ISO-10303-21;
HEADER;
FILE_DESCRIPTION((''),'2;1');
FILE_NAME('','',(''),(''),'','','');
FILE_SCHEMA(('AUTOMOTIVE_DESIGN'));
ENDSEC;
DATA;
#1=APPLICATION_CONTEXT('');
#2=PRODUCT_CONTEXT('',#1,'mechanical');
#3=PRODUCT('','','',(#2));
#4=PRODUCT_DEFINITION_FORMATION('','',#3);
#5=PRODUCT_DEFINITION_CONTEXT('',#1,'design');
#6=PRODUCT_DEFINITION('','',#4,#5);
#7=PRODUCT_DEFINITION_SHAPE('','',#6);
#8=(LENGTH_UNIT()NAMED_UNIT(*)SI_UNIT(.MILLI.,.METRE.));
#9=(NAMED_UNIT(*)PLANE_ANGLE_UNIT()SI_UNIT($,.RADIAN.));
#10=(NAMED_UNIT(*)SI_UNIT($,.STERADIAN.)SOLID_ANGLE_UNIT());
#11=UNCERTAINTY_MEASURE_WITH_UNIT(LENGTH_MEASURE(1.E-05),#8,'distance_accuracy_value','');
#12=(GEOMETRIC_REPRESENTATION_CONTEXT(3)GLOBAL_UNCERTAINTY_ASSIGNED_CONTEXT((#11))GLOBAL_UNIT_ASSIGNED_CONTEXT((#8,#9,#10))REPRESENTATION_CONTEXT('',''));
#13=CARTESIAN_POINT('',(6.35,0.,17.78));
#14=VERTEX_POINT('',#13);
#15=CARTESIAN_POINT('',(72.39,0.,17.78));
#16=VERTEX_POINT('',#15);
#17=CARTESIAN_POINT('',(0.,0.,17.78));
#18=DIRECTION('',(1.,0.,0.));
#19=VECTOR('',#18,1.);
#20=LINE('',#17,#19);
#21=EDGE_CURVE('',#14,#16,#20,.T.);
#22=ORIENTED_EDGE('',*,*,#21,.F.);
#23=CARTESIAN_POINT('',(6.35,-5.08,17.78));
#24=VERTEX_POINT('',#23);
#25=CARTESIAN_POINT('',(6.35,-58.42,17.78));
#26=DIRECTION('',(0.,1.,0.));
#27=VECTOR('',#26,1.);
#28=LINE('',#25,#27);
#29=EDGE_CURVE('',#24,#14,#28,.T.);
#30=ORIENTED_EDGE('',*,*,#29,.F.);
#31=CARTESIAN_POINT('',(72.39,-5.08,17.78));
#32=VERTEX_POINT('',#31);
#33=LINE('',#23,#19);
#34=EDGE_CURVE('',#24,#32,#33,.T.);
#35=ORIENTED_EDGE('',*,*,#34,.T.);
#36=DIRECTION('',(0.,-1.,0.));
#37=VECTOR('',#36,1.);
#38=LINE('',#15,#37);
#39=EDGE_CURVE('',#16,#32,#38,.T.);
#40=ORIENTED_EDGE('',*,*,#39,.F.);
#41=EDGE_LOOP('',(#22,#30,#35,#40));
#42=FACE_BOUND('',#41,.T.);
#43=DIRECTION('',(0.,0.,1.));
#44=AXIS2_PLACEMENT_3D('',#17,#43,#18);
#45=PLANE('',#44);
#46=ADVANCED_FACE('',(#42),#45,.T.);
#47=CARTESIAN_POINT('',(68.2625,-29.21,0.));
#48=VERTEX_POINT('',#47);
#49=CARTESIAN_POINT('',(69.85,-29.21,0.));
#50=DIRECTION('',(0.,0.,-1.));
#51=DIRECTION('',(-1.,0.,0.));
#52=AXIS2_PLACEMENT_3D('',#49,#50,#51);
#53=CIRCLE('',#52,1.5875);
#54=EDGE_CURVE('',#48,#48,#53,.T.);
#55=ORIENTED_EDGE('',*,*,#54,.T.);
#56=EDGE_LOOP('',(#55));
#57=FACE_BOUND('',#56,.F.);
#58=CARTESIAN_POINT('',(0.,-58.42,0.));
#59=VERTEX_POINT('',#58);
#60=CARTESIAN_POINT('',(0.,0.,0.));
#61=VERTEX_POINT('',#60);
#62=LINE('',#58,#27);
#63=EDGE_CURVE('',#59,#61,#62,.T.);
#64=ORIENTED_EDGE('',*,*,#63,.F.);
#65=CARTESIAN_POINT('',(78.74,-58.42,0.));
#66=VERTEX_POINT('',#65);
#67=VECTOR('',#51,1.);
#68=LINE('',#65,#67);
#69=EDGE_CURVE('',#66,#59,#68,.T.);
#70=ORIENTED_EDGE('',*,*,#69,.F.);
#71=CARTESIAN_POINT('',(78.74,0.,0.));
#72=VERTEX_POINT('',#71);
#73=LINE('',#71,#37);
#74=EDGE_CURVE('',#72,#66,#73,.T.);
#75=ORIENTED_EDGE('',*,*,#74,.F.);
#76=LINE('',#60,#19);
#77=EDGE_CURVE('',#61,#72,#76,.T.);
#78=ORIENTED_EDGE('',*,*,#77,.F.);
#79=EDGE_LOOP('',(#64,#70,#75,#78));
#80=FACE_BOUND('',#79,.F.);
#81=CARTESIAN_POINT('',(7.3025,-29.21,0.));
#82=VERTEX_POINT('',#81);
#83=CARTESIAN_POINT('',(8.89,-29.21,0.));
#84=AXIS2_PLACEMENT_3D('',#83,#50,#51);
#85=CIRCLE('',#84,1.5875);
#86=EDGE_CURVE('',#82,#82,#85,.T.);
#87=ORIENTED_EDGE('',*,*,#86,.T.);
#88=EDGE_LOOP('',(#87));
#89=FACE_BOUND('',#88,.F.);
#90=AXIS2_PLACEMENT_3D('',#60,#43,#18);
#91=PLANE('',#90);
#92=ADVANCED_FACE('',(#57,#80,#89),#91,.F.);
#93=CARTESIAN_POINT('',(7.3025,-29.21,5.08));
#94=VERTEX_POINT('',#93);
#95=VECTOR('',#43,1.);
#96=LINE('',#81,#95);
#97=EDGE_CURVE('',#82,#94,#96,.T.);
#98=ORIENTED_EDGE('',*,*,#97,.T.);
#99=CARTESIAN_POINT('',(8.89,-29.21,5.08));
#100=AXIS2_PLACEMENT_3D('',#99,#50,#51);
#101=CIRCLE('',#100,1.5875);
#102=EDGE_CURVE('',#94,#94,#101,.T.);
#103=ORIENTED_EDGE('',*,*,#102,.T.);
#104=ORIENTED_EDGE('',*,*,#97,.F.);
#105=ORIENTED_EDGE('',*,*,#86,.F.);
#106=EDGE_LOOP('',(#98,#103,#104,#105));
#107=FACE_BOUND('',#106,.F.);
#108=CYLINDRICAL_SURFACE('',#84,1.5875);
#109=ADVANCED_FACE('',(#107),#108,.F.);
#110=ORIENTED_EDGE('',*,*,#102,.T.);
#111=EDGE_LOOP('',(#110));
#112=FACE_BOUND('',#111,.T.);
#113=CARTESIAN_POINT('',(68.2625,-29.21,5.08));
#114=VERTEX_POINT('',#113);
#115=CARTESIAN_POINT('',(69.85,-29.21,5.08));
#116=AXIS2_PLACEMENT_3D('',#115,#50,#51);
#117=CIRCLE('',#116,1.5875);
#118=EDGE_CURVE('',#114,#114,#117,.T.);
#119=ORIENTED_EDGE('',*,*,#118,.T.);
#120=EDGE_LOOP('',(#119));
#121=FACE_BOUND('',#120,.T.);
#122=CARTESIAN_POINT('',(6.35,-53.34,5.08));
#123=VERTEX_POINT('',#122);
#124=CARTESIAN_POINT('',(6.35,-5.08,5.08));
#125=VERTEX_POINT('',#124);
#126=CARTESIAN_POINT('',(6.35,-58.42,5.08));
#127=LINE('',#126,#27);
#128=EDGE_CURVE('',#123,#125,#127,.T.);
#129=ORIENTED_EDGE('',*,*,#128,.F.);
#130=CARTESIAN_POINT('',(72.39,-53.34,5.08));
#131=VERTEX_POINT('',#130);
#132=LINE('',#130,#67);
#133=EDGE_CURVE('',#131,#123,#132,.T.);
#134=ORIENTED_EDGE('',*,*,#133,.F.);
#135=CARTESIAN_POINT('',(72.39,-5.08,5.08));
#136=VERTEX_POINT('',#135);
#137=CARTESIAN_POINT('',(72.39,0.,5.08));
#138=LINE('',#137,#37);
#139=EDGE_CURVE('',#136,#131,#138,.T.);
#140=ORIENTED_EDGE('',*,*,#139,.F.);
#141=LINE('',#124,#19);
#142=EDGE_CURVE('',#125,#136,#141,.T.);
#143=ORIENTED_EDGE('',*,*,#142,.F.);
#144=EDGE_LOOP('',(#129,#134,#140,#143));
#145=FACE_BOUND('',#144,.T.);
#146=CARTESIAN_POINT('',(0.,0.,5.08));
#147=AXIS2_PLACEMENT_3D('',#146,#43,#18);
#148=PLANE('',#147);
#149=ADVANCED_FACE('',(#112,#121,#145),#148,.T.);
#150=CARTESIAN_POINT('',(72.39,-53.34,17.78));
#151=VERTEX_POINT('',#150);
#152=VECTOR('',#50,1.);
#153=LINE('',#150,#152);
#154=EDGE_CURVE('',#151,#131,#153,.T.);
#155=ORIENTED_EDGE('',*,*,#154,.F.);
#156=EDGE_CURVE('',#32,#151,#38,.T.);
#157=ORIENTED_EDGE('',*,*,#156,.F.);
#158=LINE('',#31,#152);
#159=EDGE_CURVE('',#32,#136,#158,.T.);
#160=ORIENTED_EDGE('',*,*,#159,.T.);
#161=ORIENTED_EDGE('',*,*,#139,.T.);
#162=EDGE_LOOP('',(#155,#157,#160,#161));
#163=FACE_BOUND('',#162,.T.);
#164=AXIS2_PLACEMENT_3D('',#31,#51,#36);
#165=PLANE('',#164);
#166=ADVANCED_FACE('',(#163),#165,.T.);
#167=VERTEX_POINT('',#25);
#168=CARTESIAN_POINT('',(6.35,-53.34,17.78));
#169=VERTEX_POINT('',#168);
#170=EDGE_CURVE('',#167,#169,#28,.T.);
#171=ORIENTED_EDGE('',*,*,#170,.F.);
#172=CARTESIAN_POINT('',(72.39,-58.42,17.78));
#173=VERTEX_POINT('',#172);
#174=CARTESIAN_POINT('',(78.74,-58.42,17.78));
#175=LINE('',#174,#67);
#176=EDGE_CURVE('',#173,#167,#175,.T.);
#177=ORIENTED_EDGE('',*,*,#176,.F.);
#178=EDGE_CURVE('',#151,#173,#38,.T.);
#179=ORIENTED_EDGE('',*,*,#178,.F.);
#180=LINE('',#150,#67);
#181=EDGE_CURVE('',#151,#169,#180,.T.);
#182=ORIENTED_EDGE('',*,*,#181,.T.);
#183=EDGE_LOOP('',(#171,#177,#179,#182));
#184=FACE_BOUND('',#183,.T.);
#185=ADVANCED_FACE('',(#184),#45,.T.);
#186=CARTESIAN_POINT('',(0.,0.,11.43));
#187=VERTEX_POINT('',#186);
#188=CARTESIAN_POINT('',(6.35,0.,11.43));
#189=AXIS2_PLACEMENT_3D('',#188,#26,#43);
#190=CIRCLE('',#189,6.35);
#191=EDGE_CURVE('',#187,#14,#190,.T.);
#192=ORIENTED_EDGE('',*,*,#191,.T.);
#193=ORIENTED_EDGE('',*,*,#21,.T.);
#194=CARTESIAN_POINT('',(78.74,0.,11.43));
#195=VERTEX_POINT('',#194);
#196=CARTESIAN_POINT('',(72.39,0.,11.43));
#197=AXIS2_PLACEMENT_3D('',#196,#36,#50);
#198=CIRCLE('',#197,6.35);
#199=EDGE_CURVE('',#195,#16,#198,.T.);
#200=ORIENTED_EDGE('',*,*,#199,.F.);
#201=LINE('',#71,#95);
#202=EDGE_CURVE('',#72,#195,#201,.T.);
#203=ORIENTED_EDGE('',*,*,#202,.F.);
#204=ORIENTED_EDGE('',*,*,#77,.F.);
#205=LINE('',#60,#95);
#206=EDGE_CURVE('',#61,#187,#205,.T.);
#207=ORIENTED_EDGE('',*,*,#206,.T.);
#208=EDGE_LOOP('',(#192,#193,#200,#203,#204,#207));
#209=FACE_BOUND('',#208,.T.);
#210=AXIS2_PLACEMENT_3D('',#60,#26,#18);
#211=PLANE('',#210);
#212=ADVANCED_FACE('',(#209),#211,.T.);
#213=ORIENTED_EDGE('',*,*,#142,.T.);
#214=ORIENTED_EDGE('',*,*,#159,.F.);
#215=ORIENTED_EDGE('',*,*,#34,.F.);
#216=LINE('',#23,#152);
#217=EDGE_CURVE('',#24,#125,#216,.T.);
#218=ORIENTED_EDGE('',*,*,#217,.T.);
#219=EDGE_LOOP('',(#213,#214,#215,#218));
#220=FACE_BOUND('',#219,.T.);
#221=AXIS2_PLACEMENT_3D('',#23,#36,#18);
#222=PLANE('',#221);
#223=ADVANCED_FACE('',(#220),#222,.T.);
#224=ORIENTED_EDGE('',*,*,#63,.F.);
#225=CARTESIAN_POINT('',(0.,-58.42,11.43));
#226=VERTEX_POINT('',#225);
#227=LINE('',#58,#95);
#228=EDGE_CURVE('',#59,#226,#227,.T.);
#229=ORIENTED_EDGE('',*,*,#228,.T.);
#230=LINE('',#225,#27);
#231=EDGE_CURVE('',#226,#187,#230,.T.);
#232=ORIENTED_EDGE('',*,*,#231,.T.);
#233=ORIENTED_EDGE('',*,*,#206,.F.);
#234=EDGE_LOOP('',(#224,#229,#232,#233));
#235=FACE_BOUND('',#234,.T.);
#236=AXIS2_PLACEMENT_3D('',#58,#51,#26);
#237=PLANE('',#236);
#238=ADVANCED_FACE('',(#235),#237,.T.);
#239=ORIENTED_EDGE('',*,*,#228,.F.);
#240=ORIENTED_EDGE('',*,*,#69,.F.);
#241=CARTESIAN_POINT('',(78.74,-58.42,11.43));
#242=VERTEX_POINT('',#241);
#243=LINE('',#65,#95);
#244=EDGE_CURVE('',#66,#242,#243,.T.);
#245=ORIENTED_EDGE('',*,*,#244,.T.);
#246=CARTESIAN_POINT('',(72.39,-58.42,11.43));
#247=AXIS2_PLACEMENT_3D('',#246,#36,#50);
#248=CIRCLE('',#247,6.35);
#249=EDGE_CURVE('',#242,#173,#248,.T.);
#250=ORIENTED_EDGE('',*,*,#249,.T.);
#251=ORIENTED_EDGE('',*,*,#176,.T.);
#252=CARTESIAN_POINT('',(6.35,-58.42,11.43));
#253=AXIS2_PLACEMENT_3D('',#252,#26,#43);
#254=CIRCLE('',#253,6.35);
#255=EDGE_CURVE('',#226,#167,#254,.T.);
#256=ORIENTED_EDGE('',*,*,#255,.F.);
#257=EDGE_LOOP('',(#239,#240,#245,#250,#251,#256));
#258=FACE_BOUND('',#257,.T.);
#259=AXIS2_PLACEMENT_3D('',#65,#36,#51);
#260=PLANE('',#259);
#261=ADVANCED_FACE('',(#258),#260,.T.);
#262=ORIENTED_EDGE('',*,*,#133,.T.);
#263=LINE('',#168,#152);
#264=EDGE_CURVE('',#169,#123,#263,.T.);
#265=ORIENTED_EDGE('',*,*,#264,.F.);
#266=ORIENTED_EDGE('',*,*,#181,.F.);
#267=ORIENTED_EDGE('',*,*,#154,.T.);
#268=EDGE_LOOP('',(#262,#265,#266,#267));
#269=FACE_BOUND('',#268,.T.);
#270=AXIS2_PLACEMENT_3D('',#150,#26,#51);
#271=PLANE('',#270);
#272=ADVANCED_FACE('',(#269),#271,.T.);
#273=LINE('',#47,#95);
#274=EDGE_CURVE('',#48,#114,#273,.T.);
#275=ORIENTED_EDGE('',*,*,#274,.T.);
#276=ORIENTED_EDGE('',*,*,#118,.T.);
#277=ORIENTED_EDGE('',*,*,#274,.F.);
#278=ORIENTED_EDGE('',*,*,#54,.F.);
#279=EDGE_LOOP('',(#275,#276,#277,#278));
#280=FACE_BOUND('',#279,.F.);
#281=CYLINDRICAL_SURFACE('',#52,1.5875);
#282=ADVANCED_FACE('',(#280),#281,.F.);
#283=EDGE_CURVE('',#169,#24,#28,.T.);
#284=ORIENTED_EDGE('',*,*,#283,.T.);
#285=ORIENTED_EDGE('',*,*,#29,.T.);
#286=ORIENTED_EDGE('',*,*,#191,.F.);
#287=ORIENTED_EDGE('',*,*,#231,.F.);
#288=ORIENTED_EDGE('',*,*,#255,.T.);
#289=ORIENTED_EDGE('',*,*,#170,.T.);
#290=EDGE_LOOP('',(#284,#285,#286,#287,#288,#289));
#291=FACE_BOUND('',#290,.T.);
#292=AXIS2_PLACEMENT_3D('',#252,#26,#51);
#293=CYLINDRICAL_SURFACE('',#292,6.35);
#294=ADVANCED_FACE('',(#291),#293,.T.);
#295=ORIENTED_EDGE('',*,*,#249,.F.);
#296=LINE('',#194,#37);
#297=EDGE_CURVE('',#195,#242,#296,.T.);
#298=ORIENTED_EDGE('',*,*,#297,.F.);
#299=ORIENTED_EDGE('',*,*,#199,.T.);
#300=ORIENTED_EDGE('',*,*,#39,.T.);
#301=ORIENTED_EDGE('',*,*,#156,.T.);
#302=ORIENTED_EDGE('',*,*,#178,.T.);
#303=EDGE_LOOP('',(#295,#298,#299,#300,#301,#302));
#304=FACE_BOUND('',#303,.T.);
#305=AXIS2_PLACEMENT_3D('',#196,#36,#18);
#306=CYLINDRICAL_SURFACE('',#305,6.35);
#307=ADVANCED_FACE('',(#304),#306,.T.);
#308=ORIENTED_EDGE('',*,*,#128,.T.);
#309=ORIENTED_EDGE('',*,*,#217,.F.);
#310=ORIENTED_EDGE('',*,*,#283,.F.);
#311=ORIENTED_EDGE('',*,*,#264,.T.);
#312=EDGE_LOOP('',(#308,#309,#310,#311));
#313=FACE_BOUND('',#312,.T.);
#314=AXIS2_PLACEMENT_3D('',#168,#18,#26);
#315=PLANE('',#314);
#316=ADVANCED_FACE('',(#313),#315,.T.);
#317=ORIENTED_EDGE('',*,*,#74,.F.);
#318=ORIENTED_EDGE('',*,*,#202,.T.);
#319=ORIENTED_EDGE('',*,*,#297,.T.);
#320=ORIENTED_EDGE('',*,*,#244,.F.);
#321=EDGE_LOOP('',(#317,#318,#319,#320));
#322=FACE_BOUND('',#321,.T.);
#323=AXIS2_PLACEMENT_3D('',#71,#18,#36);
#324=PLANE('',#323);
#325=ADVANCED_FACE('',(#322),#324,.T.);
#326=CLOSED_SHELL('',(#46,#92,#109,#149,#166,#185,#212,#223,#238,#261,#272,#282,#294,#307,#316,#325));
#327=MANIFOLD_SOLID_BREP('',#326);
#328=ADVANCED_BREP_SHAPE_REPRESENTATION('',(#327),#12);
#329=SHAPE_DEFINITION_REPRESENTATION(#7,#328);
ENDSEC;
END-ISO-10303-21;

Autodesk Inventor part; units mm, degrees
ref_plane "YZ Plane" through (0, 0, 0) normal (1, 0, 0) x (0, 1, 0)
ref_plane "XZ Plane" through (0, 0, 0) normal (0, 1, 0) x (-1, 0, 0)
ref_plane "XY Plane" through (0, 0, 0) normal (0, 0, 1) x (1, 0, 0)
sketch "Sketch1" plane through (0, 0, 0) normal (0, 0, 1) x (1, 0, 0)
  line L0 (0, 0) -> (78.74, 0)
  line L1 (78.74, 0) -> (78.74, -58.42)
  line L2 (78.74, -58.42) -> (0, -58.42)
  line L3 (0, -58.42) -> (0, 0)
  dimension "d0" = 78.74
  dimension "d1" = 58.42
extrude "Extrusion1" add sketch "Sketch1" along normal blind 17.78
fillet "Fillet1" radius 6.35 2 edges at (78.74, -29.21, 17.78) (0, -29.21, 17.78)
sketch "Sketch2" plane through (0, 0, 0) normal (0, 0, -1) x (-1, 0, 0)
  circle A0 centre (-69.85, -29.21) radius 1.5875
  line L0 (-78.74, 0) -> (-78.74, -58.42) projected
  line L1 (0, 0) -> (-78.74, 0) projected
  circle A1 centre (-8.89, -29.21) radius 1.5875
  line L2 (0, -58.42) -> (0, 0) projected
  dimension "d5" = 3.175
  dimension "d6" = 8.89
  dimension "d7" = 29.21
  dimension "d8" = 3.175
  dimension "d9" = 8.89
extrude "Extrusion2" cut sketch "Sketch2" against normal blind 25.4
sketch "Sketch3" plane through (0, 0, 17.78) normal (0, 0, 1) x (1, 0, 0)
  line L0 (6.35, -58.42) -> (6.35, 0) projected
  line L1 (72.39, 0) -> (72.39, -58.42) projected
  line L2 (6.35, -5.08) -> (72.39, -5.08)
  line L3 (72.39, -5.08) -> (72.39, -53.34)
  line L4 (72.39, -53.34) -> (6.35, -53.34)
  line L5 (6.35, -53.34) -> (6.35, -5.08)
  line L6 (72.39, 0) -> (6.35, 0) projected
  line L7 (6.35, -58.42) -> (72.39, -58.42) projected
  point P0 (0, 0)
  dimension "d12" = 5.08
  dimension "d13" = 5.08
extrude "Extrusion3" cut sketch "Sketch3" against normal blind 12.7 contours L0 L2 L1 L4
properties part number "BatteryHolder" material "ABS Plastic"
